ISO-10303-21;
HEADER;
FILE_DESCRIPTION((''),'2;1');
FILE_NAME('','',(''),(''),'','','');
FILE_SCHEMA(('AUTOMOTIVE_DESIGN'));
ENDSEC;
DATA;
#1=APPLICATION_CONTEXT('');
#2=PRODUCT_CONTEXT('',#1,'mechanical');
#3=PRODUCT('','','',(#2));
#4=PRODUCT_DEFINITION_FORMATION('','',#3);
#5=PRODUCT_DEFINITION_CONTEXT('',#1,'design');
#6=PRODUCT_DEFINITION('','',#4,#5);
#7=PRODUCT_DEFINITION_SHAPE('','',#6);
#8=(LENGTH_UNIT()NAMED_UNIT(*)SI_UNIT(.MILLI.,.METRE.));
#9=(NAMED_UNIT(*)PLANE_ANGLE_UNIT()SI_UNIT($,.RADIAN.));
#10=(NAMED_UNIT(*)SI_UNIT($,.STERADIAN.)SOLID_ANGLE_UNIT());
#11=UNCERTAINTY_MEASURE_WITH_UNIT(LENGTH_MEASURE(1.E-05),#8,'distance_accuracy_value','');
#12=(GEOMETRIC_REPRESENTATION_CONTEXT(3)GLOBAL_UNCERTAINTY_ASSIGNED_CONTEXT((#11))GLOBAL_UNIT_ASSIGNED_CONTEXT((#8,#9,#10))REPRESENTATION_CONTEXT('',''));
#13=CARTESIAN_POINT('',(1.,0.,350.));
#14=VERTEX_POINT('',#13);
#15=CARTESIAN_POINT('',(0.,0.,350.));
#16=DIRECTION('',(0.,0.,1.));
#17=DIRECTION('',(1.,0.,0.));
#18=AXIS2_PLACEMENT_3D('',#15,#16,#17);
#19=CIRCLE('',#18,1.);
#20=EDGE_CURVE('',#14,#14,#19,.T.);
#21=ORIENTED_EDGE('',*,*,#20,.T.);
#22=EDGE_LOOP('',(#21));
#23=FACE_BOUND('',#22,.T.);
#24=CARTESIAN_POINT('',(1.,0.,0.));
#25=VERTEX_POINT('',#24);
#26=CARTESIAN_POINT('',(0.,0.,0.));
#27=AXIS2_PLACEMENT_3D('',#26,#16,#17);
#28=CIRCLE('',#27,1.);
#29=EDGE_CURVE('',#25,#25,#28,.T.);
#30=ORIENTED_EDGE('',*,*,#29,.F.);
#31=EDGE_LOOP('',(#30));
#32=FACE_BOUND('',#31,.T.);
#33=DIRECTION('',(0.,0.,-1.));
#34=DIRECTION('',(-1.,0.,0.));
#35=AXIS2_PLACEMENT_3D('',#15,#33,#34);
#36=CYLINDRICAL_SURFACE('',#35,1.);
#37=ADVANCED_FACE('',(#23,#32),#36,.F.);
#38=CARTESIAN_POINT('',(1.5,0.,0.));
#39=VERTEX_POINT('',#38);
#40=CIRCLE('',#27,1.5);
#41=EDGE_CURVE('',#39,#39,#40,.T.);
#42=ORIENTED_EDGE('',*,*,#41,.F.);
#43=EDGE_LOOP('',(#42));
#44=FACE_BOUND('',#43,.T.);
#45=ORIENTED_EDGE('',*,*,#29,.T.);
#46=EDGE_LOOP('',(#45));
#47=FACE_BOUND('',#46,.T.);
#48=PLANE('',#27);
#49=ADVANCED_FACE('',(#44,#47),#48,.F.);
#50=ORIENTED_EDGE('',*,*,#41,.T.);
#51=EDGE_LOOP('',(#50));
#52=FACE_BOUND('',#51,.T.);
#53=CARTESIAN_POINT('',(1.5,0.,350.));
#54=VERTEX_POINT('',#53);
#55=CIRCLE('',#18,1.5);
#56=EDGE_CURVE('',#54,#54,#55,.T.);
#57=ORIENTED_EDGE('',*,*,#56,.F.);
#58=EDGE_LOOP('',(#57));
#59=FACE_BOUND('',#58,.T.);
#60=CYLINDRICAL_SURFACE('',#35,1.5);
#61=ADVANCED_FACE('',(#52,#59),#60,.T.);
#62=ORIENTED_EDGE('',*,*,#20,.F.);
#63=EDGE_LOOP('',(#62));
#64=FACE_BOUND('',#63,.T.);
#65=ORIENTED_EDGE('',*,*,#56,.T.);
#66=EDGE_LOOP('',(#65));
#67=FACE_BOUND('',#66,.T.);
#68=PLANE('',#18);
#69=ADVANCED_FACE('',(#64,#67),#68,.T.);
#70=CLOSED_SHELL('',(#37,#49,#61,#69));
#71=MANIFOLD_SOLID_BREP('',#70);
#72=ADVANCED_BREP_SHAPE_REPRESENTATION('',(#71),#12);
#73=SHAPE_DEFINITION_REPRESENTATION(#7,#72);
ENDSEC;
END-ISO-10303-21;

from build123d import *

# Parameters (mm, degrees)
SKETCH1_R              = 1.5
SKETCH1_R_2            = 1
TAIL_ROD_EXTRUDE_DEPTH = 350


with BuildPart() as part:
    # Sketch1 → tail_rod_extrude (new body)
    with BuildSketch(Plane.XY):
        Circle(SKETCH1_R)
        Circle(SKETCH1_R_2, mode=Mode.SUBTRACT)
    extrude(amount=TAIL_ROD_EXTRUDE_DEPTH)


solid = part.part
